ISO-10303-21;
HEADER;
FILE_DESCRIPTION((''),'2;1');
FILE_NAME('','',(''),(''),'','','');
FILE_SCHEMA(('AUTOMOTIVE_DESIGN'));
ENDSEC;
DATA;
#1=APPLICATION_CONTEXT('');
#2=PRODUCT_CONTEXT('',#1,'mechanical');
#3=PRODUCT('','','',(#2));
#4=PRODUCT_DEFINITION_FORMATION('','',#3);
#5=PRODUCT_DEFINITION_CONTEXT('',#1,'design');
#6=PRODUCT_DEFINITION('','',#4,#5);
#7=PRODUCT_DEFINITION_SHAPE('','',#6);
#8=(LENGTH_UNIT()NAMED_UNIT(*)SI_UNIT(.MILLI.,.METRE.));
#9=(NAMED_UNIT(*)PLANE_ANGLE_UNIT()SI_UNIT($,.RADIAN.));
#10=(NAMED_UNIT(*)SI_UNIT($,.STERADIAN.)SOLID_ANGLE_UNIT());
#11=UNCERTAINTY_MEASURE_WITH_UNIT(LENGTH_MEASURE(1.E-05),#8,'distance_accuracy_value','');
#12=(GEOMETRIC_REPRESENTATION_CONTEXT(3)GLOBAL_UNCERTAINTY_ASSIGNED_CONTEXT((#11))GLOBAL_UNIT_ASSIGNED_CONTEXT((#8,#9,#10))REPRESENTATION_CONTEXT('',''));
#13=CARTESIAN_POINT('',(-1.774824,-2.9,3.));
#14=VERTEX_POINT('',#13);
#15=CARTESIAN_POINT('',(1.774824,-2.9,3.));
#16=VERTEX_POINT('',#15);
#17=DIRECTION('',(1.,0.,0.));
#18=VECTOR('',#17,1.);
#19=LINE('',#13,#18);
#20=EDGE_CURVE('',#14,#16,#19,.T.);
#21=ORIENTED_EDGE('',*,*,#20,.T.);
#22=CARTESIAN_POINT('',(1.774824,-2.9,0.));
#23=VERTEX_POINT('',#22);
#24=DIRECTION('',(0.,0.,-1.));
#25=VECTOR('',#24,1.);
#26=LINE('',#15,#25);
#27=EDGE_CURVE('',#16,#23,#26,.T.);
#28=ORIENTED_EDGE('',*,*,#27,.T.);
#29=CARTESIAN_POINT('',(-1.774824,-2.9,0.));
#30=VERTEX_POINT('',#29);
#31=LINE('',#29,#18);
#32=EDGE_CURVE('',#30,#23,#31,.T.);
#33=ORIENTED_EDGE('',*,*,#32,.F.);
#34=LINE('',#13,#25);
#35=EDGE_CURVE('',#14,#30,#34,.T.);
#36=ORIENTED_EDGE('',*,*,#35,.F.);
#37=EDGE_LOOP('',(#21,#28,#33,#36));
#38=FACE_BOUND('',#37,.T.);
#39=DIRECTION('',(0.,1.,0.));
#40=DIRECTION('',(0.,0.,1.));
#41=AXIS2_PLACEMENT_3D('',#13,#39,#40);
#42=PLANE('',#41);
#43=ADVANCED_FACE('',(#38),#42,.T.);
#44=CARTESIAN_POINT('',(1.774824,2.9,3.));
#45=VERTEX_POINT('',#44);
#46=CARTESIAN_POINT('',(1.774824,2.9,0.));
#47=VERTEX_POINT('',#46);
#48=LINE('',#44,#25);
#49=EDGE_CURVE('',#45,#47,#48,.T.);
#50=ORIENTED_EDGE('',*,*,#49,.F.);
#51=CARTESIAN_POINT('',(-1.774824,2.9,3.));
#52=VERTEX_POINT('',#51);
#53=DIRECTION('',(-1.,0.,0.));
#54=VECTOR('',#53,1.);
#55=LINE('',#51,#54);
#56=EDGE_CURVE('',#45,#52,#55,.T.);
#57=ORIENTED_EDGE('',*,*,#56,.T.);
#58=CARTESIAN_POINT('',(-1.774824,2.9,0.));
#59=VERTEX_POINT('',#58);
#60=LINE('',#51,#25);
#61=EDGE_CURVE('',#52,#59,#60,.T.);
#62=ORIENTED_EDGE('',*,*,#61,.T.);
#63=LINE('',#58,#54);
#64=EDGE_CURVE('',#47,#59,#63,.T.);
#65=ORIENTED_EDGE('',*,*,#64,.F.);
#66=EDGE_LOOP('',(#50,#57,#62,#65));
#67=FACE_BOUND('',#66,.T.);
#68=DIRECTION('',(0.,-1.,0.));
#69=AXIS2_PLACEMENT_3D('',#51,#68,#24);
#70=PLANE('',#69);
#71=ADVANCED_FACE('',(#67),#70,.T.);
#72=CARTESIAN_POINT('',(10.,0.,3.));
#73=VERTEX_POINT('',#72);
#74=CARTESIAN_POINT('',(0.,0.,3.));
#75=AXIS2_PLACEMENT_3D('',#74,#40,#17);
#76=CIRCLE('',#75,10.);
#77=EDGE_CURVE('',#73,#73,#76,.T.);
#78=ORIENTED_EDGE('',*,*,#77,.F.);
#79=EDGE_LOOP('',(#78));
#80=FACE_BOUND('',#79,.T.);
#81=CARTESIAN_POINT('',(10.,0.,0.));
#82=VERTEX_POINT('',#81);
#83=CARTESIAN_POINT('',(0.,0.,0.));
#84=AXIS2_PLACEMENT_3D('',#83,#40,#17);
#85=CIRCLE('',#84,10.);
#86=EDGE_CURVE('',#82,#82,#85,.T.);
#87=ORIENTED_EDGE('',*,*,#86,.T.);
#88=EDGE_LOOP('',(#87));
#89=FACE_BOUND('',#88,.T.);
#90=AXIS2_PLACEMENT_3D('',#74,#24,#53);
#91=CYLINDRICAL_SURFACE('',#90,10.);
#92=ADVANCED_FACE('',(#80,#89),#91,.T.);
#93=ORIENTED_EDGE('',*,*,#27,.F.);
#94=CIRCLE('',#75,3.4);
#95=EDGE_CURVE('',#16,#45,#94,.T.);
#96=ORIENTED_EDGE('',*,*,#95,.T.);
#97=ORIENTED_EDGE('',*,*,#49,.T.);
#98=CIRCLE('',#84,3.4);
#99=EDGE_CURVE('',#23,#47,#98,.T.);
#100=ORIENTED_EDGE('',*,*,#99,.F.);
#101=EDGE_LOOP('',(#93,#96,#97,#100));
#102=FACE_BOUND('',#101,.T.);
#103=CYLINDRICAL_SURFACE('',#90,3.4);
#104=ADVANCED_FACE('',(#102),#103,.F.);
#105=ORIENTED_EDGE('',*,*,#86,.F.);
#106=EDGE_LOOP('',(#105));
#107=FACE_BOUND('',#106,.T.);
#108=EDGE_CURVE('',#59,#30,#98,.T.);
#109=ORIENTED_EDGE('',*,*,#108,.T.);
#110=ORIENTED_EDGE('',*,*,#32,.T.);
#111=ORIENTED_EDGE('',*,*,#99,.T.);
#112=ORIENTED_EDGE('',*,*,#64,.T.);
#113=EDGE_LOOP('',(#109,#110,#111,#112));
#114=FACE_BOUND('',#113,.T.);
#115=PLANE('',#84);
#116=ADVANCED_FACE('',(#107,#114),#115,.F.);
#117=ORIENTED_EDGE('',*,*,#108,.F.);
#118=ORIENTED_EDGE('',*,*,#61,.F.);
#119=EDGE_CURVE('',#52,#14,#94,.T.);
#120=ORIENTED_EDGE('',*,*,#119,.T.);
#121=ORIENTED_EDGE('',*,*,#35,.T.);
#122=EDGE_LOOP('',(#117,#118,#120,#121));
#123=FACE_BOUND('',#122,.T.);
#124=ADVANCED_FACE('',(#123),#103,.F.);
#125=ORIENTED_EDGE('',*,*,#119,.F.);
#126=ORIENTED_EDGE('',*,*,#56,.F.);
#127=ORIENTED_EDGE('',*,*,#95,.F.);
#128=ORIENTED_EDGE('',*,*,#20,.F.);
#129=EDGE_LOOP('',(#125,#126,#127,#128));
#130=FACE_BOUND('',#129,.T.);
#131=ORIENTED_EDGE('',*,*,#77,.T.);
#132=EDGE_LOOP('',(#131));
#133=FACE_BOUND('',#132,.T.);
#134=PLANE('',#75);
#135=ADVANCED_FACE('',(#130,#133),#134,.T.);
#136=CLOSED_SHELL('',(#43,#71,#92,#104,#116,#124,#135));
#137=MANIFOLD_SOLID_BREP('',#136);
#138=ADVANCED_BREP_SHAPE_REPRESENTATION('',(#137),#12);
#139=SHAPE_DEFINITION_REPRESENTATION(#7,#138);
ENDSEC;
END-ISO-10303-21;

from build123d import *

# Parameters (mm, degrees)
SKETCH1_R           = 10
BOSS_EXTRUDE1_DEPTH = 3


with BuildPart() as part:
    # Sketch1 → Boss-Extrude1 (new body)
    with BuildSketch(Plane.XY):
        Circle(SKETCH1_R)
        with BuildLine():
            Line((-1.774823935, 2.9), (1.774823935, 2.9))
            ThreePointArc((1.774823935, 2.9), (3.4, 0), (1.774823935, -2.9))
            Line((1.774823935, -2.9), (-1.774823935, -2.9))
            ThreePointArc((-1.774823935, -2.9), (-3.4, 0), (-1.774823935, 2.9))
        make_face(mode=Mode.SUBTRACT)
    extrude(amount=BOSS_EXTRUDE1_DEPTH)


solid = part.part
